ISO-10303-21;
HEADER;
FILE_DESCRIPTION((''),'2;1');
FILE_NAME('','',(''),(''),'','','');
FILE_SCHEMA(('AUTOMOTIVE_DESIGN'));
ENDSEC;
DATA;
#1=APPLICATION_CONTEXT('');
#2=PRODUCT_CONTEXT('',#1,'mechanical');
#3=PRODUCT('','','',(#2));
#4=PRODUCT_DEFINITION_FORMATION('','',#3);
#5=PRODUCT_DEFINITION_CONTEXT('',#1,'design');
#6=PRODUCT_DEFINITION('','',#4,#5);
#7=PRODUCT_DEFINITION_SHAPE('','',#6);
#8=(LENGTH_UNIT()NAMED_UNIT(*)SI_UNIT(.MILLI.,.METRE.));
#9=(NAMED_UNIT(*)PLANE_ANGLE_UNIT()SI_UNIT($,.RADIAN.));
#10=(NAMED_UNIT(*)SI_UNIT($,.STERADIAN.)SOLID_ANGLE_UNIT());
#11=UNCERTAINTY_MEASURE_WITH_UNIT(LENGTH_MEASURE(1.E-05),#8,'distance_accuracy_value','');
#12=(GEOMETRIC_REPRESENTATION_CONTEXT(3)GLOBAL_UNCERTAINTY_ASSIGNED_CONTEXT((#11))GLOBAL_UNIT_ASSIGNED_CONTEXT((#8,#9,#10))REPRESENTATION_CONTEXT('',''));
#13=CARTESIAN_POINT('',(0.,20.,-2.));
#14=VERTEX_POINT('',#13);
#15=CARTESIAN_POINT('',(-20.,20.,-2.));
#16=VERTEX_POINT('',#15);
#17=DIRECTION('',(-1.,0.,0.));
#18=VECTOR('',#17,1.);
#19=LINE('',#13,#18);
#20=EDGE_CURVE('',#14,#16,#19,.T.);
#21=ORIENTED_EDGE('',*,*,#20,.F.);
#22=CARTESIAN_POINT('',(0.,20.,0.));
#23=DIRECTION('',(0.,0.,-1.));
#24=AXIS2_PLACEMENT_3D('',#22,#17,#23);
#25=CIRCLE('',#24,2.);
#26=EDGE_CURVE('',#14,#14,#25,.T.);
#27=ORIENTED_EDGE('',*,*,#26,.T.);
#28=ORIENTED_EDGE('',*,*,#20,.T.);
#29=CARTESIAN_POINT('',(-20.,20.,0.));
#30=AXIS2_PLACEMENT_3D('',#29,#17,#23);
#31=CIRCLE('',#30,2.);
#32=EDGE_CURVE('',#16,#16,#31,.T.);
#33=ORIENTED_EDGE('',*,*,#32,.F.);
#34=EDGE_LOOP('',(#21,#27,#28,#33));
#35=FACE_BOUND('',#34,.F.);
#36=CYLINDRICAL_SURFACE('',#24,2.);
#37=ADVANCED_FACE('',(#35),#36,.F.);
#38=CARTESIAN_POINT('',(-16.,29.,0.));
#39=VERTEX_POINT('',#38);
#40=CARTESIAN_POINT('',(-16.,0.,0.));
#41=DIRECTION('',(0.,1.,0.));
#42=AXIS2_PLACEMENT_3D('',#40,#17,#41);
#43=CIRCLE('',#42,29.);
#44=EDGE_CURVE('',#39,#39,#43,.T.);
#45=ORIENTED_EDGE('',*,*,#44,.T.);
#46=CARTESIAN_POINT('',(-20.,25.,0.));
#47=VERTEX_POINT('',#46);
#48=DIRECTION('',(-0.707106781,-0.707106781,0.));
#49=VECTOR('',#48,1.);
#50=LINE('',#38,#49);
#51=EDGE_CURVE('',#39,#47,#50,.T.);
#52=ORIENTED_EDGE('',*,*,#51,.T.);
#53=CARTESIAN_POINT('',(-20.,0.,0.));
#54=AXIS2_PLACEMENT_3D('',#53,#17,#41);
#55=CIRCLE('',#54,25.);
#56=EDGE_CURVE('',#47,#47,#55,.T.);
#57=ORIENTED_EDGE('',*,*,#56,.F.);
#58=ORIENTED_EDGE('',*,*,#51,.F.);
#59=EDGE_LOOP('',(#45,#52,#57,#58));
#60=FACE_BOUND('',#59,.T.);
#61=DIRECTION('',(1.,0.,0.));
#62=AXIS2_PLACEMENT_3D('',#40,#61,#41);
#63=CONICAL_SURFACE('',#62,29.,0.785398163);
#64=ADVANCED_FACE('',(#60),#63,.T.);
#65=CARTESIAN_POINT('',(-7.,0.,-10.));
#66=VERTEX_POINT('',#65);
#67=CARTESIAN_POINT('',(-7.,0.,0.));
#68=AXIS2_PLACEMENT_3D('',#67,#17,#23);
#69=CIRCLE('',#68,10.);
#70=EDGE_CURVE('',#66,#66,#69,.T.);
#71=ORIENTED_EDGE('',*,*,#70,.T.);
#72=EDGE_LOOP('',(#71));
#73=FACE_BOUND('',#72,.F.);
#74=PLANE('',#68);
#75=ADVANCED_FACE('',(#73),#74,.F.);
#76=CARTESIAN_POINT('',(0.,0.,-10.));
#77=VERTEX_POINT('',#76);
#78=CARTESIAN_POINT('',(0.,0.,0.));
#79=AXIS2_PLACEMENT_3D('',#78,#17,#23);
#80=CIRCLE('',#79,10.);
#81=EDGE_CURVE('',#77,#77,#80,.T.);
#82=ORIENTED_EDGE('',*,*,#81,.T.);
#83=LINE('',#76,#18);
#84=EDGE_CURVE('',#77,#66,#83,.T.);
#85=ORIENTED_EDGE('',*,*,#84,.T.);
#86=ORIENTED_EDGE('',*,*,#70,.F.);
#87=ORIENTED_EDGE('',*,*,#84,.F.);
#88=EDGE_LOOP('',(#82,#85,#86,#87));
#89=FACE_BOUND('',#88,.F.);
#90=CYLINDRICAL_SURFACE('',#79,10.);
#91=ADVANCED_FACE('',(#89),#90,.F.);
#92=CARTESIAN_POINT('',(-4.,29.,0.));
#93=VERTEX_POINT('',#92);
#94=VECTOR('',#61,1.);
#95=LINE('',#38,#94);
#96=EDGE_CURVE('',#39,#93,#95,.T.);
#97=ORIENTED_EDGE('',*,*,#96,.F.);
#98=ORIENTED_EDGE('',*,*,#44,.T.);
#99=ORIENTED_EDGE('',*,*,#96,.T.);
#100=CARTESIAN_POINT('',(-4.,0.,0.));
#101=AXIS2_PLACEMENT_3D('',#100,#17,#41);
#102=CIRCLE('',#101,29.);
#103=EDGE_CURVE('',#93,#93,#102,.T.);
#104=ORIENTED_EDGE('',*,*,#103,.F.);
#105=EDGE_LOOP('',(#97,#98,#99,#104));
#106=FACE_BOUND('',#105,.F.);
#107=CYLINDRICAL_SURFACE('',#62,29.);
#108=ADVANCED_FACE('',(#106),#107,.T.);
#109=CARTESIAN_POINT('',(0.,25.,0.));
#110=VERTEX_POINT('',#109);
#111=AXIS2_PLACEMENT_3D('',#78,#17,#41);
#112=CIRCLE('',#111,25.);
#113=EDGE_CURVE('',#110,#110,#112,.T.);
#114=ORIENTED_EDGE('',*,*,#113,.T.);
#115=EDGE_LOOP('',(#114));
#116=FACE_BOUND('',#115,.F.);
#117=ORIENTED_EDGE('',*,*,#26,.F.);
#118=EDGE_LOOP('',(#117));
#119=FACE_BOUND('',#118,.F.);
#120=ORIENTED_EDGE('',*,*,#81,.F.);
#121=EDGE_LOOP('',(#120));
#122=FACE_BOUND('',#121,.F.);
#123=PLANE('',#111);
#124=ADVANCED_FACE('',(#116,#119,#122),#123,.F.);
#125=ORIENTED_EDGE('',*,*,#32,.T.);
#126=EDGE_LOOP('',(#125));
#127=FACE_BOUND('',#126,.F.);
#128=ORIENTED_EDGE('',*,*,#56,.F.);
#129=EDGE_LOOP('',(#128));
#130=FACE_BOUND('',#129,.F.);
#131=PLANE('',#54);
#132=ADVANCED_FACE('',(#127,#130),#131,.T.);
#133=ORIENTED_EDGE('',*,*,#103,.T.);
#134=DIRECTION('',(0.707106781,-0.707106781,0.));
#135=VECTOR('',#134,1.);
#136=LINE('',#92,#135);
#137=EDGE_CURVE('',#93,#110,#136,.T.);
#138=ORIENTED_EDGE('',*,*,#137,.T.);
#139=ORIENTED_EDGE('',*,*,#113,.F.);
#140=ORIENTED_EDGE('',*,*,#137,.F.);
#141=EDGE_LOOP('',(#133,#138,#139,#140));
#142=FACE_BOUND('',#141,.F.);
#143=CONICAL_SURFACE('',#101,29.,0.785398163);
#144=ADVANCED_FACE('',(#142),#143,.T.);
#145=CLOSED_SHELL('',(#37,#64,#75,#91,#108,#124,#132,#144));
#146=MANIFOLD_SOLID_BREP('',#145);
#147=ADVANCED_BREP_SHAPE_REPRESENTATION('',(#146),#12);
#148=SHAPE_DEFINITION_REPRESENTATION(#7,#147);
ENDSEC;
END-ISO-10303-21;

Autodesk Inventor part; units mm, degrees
ref_plane "YZ Plane" through (0, 0, 0) normal (1, 0, 0) x (0, 1, 0)
ref_plane "XZ Plane" through (0, 0, 0) normal (0, 1, 0) x (-1, 0, 0)
ref_plane "XY Plane" through (0, 0, 0) normal (0, 0, 1) x (1, 0, 0)
sketch "Эскиз4" plane through (0, 0, 0) normal (0, 0, 1) x (1, 0, 0)
  line L0 (0, 0) -> (-20, 0)
  line L1 (-20, 0) -> (-20, 25)
  line L2 (-16, 29) -> (-4, 29)
  line L3 (0, 25) -> (0, 0)
  line L4 (-4, 29) -> (0, 25)
  line L5 (-16, 29) -> (-20, 25)
  point P0 (-20, 29)
  point P1 (0, 29)
  dimension "d14" = 20
  dimension "d15" = 29
  dimension "d16" = 4
  dimension "d17" = 4
  dimension "d18" = 4
  dimension "d19" = 4
revolve "Вращение3" add sketch "Эскиз4" angle 360 about axis through (0, 0, 0) along (-1, 0, 0)
sketch "Эскиз5" plane through (0, 0, 0) normal (1, 0, 0) x (0, 0, -1)
  line L0 (0, 0) -> (0, 20) construction
  dimension "d21" = 20
hole "Отверстие1" at (0, 20, 0) direction (-1, 0, 0) diameter 4 end through all
sketch "Эскиз6" plane through (0, 0, 0) normal (1, 0, 0) x (0, 0, -1)
  point P0 (0, 0)
  point P1 (0, 0)
hole "Отверстие2" at (0, 0, 0) direction (-1, 0, 0) diameter 20 depth 7
equation "\"d17\" = d16"
equation "\"d18\" = d16"
equation "\"d19\" = d18"
properties part number "711122"
